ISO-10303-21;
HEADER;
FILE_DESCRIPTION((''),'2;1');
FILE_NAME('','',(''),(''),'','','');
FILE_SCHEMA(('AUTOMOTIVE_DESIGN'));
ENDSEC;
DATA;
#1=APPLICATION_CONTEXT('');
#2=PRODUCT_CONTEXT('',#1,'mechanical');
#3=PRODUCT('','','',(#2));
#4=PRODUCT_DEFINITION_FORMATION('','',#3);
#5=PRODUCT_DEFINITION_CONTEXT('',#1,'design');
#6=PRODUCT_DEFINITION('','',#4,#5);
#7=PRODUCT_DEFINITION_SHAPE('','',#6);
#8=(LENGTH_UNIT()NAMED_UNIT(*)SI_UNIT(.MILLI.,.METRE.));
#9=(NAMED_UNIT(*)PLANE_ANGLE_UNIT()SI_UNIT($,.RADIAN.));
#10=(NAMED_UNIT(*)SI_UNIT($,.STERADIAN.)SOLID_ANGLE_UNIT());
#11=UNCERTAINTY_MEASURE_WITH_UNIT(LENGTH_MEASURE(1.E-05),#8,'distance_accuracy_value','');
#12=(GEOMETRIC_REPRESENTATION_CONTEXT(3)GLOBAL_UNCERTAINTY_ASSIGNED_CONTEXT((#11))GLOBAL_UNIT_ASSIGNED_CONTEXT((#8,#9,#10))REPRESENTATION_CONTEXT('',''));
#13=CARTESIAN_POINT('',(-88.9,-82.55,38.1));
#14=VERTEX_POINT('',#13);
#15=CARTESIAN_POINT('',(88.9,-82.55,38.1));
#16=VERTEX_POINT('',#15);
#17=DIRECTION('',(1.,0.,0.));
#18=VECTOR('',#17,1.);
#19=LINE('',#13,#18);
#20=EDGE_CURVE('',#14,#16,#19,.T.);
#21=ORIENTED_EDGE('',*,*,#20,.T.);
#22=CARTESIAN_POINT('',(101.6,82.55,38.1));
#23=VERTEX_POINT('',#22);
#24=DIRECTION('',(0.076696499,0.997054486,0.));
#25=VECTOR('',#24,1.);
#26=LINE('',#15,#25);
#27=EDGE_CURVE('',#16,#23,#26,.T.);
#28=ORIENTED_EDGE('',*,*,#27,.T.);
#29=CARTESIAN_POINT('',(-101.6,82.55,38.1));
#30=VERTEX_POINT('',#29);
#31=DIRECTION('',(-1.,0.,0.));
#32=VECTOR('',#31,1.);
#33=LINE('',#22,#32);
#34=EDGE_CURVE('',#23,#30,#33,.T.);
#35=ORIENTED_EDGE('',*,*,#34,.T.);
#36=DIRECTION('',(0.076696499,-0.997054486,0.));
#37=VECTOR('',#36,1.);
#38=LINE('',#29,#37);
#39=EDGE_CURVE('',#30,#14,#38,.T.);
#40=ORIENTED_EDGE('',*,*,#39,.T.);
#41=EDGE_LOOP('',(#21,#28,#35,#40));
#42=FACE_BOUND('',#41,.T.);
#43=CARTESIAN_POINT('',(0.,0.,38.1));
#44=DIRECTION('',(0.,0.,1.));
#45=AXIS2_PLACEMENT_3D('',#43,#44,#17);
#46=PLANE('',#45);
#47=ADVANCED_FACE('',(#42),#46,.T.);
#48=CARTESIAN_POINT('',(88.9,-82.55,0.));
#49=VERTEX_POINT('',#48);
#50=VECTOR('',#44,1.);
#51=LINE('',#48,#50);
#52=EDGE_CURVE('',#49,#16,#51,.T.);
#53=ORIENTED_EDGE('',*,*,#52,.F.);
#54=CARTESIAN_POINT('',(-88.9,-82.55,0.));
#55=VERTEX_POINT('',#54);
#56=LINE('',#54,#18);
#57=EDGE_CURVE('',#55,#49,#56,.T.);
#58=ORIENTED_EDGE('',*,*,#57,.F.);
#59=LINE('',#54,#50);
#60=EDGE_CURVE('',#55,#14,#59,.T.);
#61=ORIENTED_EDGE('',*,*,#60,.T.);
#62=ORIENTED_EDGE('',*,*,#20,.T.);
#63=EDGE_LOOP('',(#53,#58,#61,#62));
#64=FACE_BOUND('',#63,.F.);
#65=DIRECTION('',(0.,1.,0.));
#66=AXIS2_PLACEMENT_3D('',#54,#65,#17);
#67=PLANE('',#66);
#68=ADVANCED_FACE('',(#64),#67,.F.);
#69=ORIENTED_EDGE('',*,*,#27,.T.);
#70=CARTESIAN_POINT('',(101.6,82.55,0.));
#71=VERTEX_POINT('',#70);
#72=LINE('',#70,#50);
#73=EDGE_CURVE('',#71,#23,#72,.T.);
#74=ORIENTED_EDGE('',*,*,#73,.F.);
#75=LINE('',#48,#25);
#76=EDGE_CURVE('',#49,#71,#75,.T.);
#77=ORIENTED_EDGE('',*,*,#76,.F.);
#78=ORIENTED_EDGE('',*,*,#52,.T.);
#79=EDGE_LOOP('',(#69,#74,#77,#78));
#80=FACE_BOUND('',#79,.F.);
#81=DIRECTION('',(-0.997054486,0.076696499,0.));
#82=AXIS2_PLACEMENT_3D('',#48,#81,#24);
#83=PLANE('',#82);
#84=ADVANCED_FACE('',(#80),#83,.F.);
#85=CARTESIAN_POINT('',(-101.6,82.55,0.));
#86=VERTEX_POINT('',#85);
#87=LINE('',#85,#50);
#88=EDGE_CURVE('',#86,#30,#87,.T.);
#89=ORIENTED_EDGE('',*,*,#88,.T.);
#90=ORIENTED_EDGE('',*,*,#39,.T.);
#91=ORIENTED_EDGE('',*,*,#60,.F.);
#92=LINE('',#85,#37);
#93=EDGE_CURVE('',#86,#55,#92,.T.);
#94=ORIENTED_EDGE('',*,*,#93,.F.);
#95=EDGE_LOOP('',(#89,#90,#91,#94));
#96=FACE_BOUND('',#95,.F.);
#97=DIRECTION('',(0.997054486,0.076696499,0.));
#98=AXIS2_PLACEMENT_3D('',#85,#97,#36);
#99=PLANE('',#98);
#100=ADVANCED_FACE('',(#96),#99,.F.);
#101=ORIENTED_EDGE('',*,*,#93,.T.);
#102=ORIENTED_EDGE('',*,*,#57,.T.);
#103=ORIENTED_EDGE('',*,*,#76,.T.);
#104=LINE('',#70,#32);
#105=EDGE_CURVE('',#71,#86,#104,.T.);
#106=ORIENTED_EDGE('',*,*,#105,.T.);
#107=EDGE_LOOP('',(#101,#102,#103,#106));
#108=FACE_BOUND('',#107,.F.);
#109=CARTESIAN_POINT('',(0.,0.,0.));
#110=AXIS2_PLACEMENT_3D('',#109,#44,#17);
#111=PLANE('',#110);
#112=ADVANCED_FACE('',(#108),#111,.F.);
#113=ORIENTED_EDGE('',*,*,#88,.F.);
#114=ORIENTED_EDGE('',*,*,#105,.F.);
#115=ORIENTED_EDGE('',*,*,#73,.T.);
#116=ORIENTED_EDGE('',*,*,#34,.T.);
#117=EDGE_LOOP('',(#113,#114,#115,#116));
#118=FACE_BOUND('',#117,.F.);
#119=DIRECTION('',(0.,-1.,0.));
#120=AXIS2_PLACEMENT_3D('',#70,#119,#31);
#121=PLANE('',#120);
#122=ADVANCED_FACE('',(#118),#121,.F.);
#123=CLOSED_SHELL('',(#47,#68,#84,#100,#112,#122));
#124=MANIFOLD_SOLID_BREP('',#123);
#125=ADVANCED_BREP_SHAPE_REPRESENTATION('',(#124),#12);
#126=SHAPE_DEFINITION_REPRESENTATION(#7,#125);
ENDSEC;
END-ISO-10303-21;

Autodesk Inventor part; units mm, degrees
ref_plane "YZ Plane" through (0, 0, 0) normal (1, 0, 0) x (0, 1, 0)
ref_plane "XZ Plane" through (0, 0, 0) normal (0, 1, 0) x (-1, 0, 0)
ref_plane "XY Plane" through (0, 0, 0) normal (0, 0, 1) x (1, 0, 0)
sketch "Sketch1" plane through (0, 0, 0) normal (0, 0, 1) x (1, 0, 0)
  line L0 (-88.9, -82.55) -> (88.9, -82.55)
  line L1 (88.9, -82.55) -> (101.6, 82.55)
  line L2 (101.6, 82.55) -> (-101.6, 82.55)
  line L3 (-101.6, 82.55) -> (-88.9, -82.55)
  point P0 (0, 0)
  point P1 (0, 82.55)
  point P2 (-95.25, 0)
  dimension "d0" = 203.2
  dimension "d1" = 177.8
  dimension "d2" = 165.1
extrude "Extrusion1" add sketch "Sketch1" along normal blind 38.1
properties part number "router keepout"
